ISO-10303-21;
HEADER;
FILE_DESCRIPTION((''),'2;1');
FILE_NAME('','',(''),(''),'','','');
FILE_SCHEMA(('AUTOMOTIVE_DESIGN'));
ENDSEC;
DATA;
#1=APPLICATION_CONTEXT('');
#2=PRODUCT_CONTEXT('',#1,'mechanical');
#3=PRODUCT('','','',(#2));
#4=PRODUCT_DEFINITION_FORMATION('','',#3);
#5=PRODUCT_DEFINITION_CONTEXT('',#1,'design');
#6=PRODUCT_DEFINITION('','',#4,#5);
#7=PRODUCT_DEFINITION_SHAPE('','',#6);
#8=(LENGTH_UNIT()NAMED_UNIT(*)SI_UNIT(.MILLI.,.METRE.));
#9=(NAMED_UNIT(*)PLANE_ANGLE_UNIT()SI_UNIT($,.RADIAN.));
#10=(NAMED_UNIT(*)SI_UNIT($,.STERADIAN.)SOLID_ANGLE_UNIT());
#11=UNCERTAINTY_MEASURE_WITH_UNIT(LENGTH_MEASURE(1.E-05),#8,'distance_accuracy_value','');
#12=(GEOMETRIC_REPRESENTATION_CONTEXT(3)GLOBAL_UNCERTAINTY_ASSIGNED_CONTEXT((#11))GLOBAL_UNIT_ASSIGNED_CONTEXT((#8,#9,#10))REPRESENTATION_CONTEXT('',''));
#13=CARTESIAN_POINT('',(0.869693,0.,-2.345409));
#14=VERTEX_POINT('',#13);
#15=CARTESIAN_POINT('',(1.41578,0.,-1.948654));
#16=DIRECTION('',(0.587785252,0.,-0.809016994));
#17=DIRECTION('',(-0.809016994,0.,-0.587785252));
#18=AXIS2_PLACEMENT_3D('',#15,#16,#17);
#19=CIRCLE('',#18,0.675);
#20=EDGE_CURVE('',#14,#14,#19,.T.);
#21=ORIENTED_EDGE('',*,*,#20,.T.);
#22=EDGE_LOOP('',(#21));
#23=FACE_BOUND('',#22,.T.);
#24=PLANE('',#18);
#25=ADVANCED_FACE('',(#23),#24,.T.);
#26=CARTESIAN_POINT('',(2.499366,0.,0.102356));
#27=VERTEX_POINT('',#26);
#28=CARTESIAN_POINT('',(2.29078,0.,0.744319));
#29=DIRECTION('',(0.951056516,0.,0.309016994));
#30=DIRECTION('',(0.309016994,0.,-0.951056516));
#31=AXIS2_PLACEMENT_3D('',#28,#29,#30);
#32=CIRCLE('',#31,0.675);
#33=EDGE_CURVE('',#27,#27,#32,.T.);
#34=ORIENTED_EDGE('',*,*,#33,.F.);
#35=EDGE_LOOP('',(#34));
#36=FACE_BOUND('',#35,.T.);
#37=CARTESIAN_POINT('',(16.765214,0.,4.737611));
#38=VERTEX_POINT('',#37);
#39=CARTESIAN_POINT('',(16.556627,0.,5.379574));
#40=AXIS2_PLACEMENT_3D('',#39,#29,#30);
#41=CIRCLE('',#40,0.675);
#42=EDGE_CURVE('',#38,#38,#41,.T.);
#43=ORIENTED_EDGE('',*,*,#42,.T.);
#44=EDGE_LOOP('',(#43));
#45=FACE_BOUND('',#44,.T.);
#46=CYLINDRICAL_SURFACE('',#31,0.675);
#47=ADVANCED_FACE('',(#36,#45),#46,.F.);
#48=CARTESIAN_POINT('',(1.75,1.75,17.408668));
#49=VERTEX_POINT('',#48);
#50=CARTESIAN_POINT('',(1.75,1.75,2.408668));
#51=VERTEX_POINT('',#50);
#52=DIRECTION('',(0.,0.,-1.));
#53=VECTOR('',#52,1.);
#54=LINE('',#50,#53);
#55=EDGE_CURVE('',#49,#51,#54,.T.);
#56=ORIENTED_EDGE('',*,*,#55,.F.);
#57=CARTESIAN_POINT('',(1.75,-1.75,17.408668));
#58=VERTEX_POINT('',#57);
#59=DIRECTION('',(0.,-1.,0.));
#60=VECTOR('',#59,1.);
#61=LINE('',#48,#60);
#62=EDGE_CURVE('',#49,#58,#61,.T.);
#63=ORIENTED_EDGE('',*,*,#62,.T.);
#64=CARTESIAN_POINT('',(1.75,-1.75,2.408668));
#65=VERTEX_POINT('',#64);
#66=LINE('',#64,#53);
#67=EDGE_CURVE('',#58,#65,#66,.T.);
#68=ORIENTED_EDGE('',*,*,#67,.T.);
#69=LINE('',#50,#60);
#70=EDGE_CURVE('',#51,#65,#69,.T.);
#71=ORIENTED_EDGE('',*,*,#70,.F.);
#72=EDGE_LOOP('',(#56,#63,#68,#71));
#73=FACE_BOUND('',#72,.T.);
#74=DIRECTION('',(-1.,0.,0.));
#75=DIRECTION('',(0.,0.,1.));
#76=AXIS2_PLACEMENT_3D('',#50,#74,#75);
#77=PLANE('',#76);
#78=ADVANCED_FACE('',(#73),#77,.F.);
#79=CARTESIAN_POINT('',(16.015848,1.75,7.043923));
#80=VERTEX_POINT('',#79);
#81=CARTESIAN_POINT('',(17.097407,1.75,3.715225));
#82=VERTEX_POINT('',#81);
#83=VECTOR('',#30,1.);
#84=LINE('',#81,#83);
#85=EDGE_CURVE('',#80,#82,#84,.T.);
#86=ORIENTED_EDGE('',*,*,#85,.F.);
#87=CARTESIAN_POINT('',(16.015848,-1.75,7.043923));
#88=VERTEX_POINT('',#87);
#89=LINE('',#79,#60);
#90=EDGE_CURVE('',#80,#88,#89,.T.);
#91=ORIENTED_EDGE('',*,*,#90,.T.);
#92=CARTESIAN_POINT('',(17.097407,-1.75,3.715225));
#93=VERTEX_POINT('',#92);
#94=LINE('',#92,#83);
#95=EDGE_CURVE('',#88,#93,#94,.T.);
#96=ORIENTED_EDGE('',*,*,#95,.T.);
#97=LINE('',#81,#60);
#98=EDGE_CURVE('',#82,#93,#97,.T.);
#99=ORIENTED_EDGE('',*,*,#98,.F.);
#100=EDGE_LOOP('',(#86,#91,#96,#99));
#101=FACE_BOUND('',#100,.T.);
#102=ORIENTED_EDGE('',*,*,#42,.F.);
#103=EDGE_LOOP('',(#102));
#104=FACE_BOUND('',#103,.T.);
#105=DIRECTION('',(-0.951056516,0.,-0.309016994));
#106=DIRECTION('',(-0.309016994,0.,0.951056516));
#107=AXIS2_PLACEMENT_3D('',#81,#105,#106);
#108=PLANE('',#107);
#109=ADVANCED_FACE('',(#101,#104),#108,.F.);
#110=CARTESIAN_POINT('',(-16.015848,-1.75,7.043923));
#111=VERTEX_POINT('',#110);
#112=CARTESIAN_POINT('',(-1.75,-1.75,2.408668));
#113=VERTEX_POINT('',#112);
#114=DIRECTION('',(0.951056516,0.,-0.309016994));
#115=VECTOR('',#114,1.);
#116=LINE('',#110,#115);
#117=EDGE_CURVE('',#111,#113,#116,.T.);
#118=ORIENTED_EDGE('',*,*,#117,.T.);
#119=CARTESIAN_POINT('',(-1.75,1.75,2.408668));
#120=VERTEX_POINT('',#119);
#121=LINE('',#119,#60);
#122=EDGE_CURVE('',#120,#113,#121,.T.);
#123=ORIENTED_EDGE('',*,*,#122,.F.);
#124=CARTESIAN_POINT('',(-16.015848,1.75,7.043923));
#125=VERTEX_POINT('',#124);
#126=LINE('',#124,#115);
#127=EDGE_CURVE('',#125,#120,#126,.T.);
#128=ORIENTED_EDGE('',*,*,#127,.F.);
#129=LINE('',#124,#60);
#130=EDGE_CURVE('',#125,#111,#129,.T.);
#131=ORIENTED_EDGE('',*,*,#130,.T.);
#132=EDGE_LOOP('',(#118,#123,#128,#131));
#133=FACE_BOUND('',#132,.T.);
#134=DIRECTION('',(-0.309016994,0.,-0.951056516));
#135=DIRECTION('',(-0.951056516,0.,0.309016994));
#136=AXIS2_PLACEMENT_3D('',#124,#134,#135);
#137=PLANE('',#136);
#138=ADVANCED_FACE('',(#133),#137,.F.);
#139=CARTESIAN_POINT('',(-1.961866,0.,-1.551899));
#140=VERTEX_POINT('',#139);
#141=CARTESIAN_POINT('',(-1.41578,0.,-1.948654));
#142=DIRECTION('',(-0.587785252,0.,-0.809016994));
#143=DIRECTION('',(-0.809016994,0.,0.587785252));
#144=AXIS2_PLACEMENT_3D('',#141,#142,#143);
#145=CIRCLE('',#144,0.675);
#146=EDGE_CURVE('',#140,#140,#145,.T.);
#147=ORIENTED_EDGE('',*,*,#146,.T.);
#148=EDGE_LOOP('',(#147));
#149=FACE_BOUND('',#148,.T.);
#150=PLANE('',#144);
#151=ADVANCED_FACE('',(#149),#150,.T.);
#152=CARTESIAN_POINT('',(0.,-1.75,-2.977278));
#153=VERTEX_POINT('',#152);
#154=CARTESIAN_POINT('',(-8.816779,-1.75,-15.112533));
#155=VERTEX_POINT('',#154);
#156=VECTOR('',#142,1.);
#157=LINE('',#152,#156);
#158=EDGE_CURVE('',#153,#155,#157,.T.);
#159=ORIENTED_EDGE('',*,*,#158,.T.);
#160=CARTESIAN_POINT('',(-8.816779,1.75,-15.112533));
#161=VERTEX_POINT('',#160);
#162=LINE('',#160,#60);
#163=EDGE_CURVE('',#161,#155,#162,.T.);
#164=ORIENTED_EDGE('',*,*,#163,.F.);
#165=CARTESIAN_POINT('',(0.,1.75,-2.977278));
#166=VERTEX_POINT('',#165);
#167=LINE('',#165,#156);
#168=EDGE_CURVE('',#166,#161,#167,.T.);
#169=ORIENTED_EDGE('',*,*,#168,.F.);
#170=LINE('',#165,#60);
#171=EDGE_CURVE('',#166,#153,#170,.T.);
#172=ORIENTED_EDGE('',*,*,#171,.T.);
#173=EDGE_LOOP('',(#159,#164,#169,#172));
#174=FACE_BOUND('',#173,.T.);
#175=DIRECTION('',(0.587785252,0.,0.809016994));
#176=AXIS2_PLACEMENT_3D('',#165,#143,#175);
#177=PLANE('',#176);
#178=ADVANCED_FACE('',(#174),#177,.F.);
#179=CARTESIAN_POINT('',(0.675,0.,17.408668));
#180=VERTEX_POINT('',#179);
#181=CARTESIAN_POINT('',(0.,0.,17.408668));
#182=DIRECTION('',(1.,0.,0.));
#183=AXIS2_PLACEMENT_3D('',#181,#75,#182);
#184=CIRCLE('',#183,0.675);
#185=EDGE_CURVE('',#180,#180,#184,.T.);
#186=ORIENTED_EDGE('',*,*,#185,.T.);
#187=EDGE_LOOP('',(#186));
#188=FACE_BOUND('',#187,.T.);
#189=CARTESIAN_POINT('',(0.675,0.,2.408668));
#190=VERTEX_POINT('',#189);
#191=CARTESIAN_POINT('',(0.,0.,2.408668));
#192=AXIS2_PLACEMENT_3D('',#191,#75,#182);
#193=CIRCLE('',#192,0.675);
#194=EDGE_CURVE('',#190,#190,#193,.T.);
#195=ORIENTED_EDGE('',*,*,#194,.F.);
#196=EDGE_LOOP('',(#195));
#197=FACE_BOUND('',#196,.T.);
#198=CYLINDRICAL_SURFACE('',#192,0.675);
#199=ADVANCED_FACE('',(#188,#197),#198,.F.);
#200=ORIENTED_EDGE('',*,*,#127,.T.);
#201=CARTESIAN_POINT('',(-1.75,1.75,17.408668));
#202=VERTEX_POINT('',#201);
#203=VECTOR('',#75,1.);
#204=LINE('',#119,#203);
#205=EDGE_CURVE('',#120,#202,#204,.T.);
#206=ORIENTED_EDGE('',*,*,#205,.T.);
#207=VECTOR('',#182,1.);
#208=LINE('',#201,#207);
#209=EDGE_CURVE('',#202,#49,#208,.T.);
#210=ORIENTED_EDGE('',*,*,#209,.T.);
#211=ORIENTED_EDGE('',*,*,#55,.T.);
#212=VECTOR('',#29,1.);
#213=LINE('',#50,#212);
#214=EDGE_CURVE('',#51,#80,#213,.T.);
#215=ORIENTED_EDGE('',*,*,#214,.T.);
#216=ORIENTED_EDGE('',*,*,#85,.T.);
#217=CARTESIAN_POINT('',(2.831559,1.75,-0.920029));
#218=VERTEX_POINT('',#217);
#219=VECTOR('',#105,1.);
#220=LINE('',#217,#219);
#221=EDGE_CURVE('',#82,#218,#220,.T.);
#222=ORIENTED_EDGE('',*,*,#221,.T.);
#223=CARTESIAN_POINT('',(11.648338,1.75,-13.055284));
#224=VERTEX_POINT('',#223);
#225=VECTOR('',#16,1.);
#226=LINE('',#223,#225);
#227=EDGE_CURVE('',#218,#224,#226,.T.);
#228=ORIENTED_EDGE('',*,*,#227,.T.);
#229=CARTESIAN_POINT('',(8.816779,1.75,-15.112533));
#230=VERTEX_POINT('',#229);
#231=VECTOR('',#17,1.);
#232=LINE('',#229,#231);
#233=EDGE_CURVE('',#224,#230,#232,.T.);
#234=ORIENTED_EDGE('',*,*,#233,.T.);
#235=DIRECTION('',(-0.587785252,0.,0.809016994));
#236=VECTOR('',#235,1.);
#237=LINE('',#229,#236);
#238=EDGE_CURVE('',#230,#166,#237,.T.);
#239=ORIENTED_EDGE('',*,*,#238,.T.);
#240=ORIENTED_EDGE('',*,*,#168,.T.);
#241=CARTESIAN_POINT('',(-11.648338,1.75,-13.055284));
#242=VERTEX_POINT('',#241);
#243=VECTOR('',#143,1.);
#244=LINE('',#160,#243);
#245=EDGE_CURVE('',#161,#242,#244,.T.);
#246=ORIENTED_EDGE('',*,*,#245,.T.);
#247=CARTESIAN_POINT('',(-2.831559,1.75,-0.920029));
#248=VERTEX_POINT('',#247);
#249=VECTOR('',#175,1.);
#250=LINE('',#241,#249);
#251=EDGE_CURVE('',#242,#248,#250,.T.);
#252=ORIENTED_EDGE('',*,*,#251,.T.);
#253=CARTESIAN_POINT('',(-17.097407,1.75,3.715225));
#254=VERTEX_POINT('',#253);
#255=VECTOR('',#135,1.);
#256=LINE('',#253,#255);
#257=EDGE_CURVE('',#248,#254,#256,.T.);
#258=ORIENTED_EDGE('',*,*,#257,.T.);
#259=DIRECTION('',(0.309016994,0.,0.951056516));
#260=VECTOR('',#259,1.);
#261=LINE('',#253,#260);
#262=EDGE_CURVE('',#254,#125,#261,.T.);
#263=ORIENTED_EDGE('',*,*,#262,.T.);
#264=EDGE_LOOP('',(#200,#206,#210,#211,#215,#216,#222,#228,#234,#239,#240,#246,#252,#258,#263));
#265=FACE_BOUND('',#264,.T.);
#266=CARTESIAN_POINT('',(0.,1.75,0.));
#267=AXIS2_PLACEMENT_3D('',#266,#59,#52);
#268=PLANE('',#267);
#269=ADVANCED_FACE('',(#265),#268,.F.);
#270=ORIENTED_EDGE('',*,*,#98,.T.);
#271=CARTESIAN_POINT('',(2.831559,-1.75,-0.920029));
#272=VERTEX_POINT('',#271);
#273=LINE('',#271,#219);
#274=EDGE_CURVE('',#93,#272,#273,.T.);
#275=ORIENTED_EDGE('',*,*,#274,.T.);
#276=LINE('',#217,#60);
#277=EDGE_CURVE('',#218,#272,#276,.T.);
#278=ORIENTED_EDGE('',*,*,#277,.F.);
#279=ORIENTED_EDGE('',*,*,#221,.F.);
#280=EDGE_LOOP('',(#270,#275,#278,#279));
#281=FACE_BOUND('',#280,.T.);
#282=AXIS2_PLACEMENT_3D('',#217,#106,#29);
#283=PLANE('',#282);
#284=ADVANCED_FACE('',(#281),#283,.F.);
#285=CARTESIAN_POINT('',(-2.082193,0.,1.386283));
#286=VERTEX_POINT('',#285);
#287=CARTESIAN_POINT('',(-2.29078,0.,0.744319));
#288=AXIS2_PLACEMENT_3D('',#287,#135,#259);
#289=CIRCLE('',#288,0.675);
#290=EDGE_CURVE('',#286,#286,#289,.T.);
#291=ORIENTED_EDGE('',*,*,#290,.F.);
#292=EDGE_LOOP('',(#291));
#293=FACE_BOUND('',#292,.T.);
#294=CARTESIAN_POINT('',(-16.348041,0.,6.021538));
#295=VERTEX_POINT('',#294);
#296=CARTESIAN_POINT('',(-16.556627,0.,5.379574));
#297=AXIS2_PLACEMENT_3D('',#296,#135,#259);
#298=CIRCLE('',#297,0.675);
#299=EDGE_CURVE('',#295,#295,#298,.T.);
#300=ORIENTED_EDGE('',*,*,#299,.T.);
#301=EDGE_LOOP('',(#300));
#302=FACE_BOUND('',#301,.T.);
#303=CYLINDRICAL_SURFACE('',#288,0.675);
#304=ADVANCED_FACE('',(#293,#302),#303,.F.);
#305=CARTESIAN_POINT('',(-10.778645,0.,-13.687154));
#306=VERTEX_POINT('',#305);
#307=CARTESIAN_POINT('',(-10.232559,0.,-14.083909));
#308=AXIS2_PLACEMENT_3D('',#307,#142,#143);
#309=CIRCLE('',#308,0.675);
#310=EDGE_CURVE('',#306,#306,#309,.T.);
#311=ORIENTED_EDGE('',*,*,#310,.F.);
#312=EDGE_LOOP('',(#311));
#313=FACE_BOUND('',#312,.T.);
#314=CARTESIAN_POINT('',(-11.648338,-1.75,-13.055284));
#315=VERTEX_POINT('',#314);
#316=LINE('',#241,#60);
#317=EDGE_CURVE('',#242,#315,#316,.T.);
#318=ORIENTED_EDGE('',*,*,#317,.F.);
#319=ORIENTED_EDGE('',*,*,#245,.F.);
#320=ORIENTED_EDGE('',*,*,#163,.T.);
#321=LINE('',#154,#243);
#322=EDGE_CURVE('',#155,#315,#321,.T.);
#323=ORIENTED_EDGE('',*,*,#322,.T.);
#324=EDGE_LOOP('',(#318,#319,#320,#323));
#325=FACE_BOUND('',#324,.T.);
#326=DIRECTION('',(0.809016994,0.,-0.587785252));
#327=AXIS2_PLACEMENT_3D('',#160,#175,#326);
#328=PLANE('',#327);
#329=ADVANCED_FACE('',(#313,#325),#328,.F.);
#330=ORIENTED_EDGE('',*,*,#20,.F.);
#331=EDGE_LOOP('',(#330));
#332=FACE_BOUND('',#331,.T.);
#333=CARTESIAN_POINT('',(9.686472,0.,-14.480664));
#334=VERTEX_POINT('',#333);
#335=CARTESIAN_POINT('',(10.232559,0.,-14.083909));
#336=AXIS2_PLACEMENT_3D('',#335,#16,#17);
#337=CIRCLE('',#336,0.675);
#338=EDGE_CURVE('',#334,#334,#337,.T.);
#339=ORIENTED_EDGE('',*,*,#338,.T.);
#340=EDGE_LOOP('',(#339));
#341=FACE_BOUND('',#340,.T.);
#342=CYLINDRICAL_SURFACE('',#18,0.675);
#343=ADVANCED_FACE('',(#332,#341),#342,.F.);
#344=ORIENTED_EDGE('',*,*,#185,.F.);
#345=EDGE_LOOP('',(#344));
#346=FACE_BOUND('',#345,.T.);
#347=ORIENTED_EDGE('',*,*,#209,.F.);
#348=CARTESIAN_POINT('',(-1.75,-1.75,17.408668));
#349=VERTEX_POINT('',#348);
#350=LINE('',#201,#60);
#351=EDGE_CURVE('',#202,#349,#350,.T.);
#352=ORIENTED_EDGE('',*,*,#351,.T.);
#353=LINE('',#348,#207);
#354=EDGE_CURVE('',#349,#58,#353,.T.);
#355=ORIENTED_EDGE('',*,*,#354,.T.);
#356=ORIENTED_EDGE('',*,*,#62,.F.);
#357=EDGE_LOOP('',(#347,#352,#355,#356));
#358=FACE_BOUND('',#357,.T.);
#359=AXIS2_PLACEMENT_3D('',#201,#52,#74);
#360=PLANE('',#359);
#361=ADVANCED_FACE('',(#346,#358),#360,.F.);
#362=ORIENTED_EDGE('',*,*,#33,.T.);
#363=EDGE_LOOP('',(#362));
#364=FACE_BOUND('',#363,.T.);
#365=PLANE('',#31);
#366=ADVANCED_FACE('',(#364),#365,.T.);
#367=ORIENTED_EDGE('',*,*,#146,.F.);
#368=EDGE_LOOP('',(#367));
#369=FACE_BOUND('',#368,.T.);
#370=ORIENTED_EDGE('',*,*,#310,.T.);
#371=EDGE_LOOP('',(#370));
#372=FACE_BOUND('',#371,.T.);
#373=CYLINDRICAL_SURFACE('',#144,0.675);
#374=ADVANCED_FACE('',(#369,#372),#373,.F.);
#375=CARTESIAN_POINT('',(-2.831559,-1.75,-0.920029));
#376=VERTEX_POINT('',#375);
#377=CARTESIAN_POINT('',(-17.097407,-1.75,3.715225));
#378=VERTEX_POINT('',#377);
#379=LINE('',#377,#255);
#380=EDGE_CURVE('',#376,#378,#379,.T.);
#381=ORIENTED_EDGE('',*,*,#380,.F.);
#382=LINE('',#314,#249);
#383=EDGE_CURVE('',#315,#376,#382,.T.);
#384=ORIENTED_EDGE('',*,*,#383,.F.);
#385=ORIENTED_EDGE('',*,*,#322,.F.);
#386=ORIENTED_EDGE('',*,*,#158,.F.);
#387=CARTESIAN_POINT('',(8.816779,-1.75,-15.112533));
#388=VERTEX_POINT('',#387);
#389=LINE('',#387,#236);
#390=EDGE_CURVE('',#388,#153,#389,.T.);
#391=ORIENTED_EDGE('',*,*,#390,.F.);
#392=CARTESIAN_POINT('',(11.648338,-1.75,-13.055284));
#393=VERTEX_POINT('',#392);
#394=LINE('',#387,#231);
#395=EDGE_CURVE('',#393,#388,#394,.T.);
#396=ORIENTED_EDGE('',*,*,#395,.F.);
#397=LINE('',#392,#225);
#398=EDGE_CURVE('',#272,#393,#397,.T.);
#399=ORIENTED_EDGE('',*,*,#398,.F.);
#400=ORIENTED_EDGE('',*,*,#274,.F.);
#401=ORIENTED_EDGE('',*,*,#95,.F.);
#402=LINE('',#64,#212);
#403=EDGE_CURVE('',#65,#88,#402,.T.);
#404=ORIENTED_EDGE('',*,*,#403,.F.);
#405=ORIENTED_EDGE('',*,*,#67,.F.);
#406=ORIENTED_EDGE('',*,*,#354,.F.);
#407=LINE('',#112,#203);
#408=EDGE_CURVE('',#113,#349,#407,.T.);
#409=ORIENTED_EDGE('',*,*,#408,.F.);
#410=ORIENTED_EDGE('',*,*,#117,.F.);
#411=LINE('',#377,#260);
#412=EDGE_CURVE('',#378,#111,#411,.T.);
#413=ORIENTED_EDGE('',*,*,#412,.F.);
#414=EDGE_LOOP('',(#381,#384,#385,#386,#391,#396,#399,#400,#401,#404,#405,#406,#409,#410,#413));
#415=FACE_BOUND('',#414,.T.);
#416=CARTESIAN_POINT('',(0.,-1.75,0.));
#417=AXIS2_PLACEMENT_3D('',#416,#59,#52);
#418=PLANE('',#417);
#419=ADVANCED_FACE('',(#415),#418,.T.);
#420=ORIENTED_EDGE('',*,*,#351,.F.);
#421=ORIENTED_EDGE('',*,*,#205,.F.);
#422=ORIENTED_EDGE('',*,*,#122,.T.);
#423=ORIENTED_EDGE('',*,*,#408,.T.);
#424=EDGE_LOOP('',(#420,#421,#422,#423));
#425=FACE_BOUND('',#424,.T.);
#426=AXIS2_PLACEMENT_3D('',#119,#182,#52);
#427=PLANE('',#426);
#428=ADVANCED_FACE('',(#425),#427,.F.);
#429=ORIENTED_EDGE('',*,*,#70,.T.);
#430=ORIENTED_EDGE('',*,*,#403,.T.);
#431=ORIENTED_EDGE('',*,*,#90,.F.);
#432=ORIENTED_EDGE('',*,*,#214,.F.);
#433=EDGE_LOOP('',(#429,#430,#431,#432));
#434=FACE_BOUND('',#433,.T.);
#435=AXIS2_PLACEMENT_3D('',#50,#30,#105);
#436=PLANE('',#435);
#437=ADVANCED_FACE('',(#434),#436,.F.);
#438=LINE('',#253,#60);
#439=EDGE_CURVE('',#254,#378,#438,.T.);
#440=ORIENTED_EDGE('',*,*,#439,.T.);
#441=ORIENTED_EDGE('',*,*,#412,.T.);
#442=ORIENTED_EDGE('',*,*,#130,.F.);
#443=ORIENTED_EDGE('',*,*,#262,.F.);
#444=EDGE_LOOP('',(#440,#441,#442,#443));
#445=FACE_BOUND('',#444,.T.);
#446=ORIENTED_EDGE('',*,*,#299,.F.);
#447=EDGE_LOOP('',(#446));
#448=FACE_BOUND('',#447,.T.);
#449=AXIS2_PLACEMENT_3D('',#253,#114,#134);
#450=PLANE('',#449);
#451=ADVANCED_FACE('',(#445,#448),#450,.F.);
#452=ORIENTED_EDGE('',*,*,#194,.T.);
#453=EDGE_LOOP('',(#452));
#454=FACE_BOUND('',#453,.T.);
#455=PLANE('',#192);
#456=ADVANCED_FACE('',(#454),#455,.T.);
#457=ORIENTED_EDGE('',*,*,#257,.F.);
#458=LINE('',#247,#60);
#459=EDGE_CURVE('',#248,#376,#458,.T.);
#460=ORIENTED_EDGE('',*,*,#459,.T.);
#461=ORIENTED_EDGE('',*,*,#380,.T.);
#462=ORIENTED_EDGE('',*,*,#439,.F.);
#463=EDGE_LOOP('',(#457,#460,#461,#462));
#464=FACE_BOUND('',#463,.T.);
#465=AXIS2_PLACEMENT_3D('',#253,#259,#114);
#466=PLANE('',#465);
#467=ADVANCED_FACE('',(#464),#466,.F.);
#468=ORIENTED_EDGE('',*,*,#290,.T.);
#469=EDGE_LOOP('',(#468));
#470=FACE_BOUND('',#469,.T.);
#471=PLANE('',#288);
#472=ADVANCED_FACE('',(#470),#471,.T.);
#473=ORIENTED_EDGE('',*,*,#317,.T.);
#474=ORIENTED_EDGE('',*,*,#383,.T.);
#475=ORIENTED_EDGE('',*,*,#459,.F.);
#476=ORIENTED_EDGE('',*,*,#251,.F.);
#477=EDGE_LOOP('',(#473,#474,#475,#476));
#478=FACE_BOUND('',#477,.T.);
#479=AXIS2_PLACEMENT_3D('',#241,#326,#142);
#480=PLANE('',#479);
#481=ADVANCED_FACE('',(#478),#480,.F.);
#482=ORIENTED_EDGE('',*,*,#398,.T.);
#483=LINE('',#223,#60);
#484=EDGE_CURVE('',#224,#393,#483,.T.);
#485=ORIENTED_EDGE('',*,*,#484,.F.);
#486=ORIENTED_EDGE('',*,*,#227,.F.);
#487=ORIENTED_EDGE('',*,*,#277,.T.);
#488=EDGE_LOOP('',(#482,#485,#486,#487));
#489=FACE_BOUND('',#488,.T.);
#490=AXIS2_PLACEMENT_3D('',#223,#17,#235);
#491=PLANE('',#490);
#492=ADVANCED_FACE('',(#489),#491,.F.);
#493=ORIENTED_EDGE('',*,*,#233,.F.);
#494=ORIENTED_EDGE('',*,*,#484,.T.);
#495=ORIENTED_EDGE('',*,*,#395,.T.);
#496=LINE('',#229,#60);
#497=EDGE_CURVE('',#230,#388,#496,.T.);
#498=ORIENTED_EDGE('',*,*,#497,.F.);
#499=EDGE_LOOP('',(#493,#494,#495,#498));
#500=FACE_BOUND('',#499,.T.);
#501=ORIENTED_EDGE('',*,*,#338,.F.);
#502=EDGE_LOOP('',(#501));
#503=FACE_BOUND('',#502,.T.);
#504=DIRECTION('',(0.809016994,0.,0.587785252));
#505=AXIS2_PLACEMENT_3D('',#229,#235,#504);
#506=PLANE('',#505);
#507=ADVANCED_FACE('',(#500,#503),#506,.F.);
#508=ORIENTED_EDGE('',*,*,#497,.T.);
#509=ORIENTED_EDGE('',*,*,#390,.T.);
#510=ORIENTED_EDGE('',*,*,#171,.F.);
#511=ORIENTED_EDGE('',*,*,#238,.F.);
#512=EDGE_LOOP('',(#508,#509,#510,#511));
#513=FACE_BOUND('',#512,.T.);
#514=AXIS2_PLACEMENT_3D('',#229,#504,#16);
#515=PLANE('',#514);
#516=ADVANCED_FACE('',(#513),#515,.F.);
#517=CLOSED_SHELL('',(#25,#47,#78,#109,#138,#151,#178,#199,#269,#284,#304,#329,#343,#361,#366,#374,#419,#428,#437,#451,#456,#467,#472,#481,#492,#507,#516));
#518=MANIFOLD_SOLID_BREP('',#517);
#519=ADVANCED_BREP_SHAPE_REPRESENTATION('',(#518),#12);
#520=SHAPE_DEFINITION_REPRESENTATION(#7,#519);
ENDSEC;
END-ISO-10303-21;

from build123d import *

# Parameters (mm, degrees)
BOSS_EXTRUDE1_DEPTH = 1.75
SKETCH2_R           = 0.675
CUT_EXTRUDE4_DEPTH  = 15
SKETCH7_R           = 0.675
CUT_EXTRUDE8_DEPTH  = 15
SKETCH8_R           = 0.675
CUT_EXTRUDE9_DEPTH  = 15
SKETCH9_R           = 0.675
CUT_EXTRUDE10_DEPTH = 15
SKETCH10_R          = 0.675
CUT_EXTRUDE11_DEPTH = 15


with BuildPart() as part:
    # Sketch1 → Boss-Extrude1 (new, symmetric)
    with BuildSketch(Plane(origin=(0, 0, 0), x_dir=(1, 0, 0), z_dir=(0, 1, 0))):
        Polygon((1.75, -2.408668361), (1.75, -17.408668361), (-1.75, -17.408668361), (-1.75, -2.408668361), (-16.015847744, -7.043923276), (-17.097407225, -3.715225469), (-2.83155948, 0.920029446), (-11.648338265, 13.055284362), (-8.816778784, 15.112532745), (0, 2.977277829), (8.816778784, 15.112532745), (11.648338265, 13.055284362), (2.83155948, 0.920029446), (17.097407225, -3.715225469), (16.015847744, -7.043923276), align=None)
    extrude(amount=BOSS_EXTRUDE1_DEPTH, both=True)

    # Sketch2 → Cut-Extrude4 (cut)
    with BuildSketch(Plane.XY.offset(17.408668361)):
        Circle(SKETCH2_R)
    extrude(amount=-CUT_EXTRUDE4_DEPTH, mode=Mode.SUBTRACT)

    # Sketch7 → Cut-Extrude8 (cut)
    with BuildSketch(Plane(origin=(16.556627485, 0, 5.379574373), x_dir=(0.3090169943749429, 0, -0.9510565162951551), z_dir=(0.9510565162951551, 0, 0.3090169943749429))):
        Circle(SKETCH7_R)
    extrude(amount=-CUT_EXTRUDE8_DEPTH, mode=Mode.SUBTRACT)

    # Sketch8 → Cut-Extrude9 (cut)
    with BuildSketch(Plane(origin=(10.232558525, 0, -14.083908553), x_dir=(-0.8090169943749378, 0, -0.5877852522924866), z_dir=(0.5877852522924866, 0, -0.8090169943749378))):
        Circle(SKETCH8_R)
    extrude(amount=-CUT_EXTRUDE9_DEPTH, mode=Mode.SUBTRACT)

    # Sketch9 → Cut-Extrude10 (cut)
    with BuildSketch(Plane(origin=(-10.232558525, 0, -14.083908553), x_dir=(-0.8090169943749476, 0, 0.5877852522924731), z_dir=(-0.587785252292473, 0, -0.8090169943749476))):
        Circle(SKETCH9_R)
    extrude(amount=-CUT_EXTRUDE10_DEPTH, mode=Mode.SUBTRACT)

    # Sketch10 → Cut-Extrude11 (cut)
    with BuildSketch(Plane(origin=(-16.556627485, 0, 5.379574373), x_dir=(0.3090169943749515, 0, 0.9510565162951523), z_dir=(-0.9510565162951523, 0, 0.3090169943749515))):
        Circle(SKETCH10_R)
    extrude(amount=-CUT_EXTRUDE11_DEPTH, mode=Mode.SUBTRACT)


solid = part.part
